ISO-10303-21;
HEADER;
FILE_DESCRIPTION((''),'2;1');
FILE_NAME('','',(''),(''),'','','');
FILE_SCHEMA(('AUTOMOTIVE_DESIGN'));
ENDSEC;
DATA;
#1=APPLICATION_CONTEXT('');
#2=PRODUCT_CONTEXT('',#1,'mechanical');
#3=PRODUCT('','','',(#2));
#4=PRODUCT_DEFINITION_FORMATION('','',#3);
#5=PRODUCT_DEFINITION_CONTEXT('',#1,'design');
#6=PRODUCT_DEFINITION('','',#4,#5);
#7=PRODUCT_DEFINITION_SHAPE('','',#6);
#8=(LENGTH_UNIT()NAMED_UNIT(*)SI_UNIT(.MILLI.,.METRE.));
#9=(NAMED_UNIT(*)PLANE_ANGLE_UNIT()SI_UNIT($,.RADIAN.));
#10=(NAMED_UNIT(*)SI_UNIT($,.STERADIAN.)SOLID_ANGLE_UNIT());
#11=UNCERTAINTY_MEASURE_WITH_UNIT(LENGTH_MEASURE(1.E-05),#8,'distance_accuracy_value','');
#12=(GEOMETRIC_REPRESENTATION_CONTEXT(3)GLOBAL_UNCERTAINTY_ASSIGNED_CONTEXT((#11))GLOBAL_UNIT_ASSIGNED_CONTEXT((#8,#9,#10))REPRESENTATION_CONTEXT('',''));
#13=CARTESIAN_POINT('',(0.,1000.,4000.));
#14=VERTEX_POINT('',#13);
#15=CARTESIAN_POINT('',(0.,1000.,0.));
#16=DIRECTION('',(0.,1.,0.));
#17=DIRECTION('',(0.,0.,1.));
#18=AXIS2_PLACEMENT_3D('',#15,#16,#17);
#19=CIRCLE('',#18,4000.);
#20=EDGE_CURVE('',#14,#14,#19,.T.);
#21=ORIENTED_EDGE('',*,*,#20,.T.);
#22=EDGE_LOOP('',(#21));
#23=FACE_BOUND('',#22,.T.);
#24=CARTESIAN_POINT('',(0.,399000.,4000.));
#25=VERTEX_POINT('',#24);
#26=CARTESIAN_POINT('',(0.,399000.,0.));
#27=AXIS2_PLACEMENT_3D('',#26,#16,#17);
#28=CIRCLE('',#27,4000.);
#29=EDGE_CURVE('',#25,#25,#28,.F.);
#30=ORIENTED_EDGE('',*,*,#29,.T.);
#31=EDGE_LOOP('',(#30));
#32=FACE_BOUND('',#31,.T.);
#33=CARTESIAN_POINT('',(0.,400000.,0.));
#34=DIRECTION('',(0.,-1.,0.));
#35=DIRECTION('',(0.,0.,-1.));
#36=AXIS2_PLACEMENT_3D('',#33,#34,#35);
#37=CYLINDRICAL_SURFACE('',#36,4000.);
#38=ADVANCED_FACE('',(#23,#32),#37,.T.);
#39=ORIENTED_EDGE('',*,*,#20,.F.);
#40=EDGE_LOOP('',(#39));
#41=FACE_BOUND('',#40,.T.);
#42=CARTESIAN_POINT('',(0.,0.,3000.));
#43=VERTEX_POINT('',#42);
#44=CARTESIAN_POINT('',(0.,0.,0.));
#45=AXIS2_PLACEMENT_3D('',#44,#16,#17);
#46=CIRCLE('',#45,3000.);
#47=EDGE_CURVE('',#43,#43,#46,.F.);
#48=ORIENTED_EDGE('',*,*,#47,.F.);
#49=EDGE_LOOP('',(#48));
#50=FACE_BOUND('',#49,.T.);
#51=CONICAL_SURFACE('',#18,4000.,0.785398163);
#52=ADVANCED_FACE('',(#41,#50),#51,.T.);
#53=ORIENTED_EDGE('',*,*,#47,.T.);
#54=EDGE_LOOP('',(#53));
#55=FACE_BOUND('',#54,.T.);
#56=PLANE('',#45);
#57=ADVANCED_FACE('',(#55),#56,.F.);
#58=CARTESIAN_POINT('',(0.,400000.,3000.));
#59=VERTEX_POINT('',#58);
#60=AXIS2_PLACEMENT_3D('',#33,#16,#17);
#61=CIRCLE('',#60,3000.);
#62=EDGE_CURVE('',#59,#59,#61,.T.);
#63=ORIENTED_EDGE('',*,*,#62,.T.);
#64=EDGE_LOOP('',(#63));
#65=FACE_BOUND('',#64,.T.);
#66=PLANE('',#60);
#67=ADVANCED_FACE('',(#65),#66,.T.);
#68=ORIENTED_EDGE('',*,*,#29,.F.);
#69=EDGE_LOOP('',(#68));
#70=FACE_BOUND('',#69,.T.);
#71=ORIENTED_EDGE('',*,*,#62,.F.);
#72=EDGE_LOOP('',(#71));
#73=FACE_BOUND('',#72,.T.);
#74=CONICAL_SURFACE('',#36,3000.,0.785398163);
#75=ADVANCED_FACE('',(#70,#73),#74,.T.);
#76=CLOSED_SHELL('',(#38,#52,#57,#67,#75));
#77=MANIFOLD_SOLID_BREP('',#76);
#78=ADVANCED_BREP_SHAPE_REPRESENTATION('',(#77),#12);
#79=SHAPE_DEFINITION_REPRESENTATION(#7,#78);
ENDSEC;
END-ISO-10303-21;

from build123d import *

# Parameters (mm, degrees)
SKETCH_1_R      = 4000
EXTRUDE_1_DEPTH = 400000
CHAMFER_1_SIZE  = 1000


with BuildPart() as part:
    # 草圖1 → 填料-伸長1 (new body)
    with BuildSketch(Plane(origin=(0, 0, 0), x_dir=(1, 0, 0), z_dir=(0, 1, 0))):
        with Locations(Location((0, 0, 0), (0, 0, 270))):
            Circle(SKETCH_1_R)
    extrude(amount=EXTRUDE_1_DEPTH)

    # 導角1
    chamfer_1_edges = [part.edges().sort_by_distance(p)[0] for p in [
        (0, 0, -4000),
        (0, 400000, -4000),
    ]]
    chamfer(chamfer_1_edges, length=CHAMFER_1_SIZE)


solid = part.part
